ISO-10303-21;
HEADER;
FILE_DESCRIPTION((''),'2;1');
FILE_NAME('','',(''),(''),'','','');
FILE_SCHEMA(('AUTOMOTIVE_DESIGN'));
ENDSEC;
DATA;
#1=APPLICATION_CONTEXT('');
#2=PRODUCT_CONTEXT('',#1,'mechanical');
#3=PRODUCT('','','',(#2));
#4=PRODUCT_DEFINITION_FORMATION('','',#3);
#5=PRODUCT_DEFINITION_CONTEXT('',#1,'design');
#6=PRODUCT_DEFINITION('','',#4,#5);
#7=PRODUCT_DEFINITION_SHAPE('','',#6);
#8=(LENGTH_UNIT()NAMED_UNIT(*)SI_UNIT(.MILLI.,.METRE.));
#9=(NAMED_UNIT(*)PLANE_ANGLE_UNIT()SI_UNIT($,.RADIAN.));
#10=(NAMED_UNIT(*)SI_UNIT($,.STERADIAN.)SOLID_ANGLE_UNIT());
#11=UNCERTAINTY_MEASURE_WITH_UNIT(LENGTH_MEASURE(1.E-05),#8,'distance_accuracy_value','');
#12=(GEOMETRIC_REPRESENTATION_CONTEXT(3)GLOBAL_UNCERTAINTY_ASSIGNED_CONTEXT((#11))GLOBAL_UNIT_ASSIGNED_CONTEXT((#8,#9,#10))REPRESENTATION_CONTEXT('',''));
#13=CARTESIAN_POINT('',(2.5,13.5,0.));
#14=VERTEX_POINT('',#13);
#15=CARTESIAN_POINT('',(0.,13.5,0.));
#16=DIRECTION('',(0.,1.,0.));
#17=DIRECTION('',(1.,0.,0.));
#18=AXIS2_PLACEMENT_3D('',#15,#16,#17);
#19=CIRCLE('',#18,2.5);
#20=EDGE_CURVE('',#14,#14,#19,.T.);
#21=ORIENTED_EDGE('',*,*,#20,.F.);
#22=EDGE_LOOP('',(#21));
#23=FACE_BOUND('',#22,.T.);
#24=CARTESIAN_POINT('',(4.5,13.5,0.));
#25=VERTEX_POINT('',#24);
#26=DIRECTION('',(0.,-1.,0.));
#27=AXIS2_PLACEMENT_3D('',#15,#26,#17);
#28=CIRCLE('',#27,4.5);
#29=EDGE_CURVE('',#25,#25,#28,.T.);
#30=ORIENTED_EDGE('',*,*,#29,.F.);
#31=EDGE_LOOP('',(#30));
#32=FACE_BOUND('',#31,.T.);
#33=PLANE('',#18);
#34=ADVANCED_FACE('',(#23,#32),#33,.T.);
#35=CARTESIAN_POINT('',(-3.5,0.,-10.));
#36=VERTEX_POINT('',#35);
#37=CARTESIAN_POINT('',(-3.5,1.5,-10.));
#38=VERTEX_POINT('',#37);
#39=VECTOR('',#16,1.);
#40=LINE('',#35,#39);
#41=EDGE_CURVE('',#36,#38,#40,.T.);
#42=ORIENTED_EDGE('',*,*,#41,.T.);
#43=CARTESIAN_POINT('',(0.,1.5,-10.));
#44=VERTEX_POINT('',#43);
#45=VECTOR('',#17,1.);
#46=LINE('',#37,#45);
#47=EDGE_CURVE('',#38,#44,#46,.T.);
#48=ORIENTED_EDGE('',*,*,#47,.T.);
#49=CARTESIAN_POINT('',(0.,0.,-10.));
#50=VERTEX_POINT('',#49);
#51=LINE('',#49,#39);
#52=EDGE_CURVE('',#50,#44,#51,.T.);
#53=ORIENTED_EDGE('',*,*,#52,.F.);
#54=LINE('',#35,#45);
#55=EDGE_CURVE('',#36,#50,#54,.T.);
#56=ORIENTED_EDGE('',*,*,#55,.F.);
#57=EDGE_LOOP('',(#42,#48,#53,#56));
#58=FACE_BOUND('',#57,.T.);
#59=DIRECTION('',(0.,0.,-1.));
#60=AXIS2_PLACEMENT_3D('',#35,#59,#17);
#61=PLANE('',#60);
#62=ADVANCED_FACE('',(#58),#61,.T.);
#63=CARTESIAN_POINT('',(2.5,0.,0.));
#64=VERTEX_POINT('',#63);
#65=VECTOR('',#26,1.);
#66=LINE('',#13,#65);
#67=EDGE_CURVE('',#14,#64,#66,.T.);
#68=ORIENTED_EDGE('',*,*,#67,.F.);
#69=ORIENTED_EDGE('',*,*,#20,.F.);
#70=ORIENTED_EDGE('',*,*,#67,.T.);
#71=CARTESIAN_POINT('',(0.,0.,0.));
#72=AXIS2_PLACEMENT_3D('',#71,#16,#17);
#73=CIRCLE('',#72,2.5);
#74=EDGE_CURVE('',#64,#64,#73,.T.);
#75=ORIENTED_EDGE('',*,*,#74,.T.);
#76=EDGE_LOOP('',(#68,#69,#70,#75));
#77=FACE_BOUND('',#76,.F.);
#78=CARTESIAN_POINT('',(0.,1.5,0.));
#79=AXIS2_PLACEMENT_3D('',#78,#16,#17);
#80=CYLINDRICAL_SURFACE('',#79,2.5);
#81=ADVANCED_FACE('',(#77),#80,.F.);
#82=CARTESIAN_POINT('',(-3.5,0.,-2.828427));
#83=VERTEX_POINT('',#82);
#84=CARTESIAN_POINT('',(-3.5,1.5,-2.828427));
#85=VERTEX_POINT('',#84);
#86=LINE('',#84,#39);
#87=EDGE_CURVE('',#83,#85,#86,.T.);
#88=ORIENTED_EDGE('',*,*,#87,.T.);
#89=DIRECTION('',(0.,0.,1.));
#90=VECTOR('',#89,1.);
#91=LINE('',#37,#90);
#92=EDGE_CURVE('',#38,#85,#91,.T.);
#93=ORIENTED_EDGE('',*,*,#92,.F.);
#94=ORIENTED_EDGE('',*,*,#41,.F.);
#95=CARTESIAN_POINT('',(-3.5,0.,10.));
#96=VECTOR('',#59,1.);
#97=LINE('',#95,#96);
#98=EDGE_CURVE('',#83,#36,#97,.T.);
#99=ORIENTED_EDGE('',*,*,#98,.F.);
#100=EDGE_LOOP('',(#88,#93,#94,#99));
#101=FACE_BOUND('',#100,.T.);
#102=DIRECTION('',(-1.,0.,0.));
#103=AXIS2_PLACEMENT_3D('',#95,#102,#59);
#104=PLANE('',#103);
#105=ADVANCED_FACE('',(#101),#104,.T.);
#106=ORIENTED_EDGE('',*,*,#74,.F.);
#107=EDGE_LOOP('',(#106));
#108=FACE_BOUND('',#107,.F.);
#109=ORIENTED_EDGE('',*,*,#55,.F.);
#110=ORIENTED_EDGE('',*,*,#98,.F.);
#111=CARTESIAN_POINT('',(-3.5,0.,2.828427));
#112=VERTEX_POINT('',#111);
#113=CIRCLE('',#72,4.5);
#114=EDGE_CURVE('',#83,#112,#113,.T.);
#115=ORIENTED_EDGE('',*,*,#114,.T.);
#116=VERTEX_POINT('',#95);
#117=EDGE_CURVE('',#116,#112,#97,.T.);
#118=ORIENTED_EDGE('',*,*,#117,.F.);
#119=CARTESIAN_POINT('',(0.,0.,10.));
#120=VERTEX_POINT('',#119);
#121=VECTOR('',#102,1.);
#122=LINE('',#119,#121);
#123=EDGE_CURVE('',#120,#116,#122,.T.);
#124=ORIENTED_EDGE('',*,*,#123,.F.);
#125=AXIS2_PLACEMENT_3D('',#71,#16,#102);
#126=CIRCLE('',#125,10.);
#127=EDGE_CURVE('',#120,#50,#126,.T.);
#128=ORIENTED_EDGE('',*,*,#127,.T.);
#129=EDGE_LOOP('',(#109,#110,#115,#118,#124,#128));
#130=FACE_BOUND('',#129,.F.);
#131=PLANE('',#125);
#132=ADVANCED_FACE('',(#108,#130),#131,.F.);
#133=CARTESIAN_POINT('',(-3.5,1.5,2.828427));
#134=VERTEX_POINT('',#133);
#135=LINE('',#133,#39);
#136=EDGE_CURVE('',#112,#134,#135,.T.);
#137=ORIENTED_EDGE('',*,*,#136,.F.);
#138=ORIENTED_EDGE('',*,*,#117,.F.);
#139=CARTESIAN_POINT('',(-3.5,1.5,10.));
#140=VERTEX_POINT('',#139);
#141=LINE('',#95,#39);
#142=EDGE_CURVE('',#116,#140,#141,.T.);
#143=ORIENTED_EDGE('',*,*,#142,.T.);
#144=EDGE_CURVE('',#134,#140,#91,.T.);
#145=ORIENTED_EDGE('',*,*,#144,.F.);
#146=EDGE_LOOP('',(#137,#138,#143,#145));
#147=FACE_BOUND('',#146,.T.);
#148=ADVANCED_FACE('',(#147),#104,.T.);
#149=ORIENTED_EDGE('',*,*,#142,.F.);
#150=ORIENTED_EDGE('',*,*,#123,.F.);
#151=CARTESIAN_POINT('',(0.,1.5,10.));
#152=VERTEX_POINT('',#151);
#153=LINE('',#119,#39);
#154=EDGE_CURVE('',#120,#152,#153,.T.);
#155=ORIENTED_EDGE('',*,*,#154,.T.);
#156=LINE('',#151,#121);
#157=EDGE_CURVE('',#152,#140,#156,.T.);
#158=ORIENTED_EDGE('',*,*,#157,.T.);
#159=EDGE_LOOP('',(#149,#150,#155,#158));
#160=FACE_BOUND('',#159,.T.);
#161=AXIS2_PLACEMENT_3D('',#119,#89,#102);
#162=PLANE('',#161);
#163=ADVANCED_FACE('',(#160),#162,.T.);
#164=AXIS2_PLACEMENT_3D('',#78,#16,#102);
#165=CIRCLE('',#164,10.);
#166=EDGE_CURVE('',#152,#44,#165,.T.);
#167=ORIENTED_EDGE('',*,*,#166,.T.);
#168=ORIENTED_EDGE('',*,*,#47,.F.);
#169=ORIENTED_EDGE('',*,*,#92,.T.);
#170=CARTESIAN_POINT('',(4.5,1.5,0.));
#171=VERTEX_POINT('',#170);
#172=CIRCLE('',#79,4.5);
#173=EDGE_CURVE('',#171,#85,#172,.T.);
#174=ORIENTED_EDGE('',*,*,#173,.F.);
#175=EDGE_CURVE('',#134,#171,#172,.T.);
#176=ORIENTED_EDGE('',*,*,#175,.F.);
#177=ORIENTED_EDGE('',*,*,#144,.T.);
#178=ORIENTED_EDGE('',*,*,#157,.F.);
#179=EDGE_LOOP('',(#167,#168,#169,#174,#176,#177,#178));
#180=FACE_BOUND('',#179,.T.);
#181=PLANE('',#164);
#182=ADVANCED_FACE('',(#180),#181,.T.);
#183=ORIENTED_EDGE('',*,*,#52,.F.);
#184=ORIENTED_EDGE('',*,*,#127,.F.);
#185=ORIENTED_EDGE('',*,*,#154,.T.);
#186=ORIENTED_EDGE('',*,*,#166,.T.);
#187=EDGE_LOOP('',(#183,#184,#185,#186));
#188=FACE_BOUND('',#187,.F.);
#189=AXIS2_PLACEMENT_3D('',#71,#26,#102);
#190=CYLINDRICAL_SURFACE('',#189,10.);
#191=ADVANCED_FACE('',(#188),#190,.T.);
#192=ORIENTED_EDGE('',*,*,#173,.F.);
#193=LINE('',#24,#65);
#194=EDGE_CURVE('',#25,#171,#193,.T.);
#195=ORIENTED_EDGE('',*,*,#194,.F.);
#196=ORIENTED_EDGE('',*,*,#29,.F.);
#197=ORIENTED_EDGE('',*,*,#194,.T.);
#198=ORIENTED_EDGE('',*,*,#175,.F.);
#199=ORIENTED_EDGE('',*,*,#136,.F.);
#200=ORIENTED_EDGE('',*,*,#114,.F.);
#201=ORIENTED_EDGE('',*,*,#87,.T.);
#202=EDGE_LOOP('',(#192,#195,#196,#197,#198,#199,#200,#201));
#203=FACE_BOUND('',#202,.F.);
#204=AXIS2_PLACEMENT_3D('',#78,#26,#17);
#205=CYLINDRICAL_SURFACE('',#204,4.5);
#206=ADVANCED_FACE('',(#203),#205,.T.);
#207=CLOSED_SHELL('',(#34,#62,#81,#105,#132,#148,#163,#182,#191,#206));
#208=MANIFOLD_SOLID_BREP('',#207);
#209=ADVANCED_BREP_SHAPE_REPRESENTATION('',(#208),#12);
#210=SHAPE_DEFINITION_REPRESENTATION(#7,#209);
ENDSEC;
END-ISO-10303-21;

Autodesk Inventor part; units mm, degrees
ref_plane "YZ Plane" through (0, 0, 0) normal (1, 0, 0) x (0, 1, 0)
ref_plane "XZ Plane" through (0, 0, 0) normal (0, 1, 0) x (-1, 0, 0)
ref_plane "XY Plane" through (0, 0, 0) normal (0, 0, 1) x (1, 0, 0)
sketch "Sketch1" plane through (0, 0, 0) normal (0, 1, 0) x (-1, 0, 0)
  circle A0 centre (0, 0) radius 10
  line L0 (0, 10) -> (0, -10)
  line L1 (0, 10) -> (3.5, 10)
  line L2 (3.5, 10) -> (3.5, -10)
  line L3 (3.5, -10) -> (0, -10)
  dimension "d0" = 20
  dimension "d3" = 3.5
extrude "Extrusion1" add sketch "Sketch1" along normal blind 1.5 contours L0 A0 | L1 L2 A0 | A0 L2 L0 | A0 L2 L3
sketch "Sketch3" plane through (0, 1.5, 0) normal (0, 1, 0) x (1, 0, 0)
  circle A0 centre (0, 0) radius 4.5
  circle A1 centre (0, 0) radius 2.5
  dimension "d8" = 9
  dimension "d18" = 5
extrude "Extrusion3" add sketch "Sketch3" along normal blind 10 and the other way blind 1.5
sketch "Sketch4" plane through (0, 11.5, 0) normal (0, 1, 0) x (1, 0, 0)
  line L0 (-3.5, 10) -> (-3.5, 2.8284) projected
  circle A0 centre (0, 0) radius 4.5
  circle A1 centre (0, 0) radius 2.5
  dimension "d13" = 5
extrude "Extrusion4" add sketch "Sketch4" along normal blind 2 and the other way blind 3
sketch "Sketch2" plane through (0, 1.5, 0) normal (0, 1, 0) x (1, 0, 0)
  circle A0 centre (0, 0) radius 2.5
  circle A1 centre (0, 0) radius 4.5
  dimension "d4" = 5
  dimension "d5" = 9
extrude "Extrusion2" cut sketch "Sketch2" against normal blind 1.5 contours A0
properties part number "Fluorescence_fiber_holder"
